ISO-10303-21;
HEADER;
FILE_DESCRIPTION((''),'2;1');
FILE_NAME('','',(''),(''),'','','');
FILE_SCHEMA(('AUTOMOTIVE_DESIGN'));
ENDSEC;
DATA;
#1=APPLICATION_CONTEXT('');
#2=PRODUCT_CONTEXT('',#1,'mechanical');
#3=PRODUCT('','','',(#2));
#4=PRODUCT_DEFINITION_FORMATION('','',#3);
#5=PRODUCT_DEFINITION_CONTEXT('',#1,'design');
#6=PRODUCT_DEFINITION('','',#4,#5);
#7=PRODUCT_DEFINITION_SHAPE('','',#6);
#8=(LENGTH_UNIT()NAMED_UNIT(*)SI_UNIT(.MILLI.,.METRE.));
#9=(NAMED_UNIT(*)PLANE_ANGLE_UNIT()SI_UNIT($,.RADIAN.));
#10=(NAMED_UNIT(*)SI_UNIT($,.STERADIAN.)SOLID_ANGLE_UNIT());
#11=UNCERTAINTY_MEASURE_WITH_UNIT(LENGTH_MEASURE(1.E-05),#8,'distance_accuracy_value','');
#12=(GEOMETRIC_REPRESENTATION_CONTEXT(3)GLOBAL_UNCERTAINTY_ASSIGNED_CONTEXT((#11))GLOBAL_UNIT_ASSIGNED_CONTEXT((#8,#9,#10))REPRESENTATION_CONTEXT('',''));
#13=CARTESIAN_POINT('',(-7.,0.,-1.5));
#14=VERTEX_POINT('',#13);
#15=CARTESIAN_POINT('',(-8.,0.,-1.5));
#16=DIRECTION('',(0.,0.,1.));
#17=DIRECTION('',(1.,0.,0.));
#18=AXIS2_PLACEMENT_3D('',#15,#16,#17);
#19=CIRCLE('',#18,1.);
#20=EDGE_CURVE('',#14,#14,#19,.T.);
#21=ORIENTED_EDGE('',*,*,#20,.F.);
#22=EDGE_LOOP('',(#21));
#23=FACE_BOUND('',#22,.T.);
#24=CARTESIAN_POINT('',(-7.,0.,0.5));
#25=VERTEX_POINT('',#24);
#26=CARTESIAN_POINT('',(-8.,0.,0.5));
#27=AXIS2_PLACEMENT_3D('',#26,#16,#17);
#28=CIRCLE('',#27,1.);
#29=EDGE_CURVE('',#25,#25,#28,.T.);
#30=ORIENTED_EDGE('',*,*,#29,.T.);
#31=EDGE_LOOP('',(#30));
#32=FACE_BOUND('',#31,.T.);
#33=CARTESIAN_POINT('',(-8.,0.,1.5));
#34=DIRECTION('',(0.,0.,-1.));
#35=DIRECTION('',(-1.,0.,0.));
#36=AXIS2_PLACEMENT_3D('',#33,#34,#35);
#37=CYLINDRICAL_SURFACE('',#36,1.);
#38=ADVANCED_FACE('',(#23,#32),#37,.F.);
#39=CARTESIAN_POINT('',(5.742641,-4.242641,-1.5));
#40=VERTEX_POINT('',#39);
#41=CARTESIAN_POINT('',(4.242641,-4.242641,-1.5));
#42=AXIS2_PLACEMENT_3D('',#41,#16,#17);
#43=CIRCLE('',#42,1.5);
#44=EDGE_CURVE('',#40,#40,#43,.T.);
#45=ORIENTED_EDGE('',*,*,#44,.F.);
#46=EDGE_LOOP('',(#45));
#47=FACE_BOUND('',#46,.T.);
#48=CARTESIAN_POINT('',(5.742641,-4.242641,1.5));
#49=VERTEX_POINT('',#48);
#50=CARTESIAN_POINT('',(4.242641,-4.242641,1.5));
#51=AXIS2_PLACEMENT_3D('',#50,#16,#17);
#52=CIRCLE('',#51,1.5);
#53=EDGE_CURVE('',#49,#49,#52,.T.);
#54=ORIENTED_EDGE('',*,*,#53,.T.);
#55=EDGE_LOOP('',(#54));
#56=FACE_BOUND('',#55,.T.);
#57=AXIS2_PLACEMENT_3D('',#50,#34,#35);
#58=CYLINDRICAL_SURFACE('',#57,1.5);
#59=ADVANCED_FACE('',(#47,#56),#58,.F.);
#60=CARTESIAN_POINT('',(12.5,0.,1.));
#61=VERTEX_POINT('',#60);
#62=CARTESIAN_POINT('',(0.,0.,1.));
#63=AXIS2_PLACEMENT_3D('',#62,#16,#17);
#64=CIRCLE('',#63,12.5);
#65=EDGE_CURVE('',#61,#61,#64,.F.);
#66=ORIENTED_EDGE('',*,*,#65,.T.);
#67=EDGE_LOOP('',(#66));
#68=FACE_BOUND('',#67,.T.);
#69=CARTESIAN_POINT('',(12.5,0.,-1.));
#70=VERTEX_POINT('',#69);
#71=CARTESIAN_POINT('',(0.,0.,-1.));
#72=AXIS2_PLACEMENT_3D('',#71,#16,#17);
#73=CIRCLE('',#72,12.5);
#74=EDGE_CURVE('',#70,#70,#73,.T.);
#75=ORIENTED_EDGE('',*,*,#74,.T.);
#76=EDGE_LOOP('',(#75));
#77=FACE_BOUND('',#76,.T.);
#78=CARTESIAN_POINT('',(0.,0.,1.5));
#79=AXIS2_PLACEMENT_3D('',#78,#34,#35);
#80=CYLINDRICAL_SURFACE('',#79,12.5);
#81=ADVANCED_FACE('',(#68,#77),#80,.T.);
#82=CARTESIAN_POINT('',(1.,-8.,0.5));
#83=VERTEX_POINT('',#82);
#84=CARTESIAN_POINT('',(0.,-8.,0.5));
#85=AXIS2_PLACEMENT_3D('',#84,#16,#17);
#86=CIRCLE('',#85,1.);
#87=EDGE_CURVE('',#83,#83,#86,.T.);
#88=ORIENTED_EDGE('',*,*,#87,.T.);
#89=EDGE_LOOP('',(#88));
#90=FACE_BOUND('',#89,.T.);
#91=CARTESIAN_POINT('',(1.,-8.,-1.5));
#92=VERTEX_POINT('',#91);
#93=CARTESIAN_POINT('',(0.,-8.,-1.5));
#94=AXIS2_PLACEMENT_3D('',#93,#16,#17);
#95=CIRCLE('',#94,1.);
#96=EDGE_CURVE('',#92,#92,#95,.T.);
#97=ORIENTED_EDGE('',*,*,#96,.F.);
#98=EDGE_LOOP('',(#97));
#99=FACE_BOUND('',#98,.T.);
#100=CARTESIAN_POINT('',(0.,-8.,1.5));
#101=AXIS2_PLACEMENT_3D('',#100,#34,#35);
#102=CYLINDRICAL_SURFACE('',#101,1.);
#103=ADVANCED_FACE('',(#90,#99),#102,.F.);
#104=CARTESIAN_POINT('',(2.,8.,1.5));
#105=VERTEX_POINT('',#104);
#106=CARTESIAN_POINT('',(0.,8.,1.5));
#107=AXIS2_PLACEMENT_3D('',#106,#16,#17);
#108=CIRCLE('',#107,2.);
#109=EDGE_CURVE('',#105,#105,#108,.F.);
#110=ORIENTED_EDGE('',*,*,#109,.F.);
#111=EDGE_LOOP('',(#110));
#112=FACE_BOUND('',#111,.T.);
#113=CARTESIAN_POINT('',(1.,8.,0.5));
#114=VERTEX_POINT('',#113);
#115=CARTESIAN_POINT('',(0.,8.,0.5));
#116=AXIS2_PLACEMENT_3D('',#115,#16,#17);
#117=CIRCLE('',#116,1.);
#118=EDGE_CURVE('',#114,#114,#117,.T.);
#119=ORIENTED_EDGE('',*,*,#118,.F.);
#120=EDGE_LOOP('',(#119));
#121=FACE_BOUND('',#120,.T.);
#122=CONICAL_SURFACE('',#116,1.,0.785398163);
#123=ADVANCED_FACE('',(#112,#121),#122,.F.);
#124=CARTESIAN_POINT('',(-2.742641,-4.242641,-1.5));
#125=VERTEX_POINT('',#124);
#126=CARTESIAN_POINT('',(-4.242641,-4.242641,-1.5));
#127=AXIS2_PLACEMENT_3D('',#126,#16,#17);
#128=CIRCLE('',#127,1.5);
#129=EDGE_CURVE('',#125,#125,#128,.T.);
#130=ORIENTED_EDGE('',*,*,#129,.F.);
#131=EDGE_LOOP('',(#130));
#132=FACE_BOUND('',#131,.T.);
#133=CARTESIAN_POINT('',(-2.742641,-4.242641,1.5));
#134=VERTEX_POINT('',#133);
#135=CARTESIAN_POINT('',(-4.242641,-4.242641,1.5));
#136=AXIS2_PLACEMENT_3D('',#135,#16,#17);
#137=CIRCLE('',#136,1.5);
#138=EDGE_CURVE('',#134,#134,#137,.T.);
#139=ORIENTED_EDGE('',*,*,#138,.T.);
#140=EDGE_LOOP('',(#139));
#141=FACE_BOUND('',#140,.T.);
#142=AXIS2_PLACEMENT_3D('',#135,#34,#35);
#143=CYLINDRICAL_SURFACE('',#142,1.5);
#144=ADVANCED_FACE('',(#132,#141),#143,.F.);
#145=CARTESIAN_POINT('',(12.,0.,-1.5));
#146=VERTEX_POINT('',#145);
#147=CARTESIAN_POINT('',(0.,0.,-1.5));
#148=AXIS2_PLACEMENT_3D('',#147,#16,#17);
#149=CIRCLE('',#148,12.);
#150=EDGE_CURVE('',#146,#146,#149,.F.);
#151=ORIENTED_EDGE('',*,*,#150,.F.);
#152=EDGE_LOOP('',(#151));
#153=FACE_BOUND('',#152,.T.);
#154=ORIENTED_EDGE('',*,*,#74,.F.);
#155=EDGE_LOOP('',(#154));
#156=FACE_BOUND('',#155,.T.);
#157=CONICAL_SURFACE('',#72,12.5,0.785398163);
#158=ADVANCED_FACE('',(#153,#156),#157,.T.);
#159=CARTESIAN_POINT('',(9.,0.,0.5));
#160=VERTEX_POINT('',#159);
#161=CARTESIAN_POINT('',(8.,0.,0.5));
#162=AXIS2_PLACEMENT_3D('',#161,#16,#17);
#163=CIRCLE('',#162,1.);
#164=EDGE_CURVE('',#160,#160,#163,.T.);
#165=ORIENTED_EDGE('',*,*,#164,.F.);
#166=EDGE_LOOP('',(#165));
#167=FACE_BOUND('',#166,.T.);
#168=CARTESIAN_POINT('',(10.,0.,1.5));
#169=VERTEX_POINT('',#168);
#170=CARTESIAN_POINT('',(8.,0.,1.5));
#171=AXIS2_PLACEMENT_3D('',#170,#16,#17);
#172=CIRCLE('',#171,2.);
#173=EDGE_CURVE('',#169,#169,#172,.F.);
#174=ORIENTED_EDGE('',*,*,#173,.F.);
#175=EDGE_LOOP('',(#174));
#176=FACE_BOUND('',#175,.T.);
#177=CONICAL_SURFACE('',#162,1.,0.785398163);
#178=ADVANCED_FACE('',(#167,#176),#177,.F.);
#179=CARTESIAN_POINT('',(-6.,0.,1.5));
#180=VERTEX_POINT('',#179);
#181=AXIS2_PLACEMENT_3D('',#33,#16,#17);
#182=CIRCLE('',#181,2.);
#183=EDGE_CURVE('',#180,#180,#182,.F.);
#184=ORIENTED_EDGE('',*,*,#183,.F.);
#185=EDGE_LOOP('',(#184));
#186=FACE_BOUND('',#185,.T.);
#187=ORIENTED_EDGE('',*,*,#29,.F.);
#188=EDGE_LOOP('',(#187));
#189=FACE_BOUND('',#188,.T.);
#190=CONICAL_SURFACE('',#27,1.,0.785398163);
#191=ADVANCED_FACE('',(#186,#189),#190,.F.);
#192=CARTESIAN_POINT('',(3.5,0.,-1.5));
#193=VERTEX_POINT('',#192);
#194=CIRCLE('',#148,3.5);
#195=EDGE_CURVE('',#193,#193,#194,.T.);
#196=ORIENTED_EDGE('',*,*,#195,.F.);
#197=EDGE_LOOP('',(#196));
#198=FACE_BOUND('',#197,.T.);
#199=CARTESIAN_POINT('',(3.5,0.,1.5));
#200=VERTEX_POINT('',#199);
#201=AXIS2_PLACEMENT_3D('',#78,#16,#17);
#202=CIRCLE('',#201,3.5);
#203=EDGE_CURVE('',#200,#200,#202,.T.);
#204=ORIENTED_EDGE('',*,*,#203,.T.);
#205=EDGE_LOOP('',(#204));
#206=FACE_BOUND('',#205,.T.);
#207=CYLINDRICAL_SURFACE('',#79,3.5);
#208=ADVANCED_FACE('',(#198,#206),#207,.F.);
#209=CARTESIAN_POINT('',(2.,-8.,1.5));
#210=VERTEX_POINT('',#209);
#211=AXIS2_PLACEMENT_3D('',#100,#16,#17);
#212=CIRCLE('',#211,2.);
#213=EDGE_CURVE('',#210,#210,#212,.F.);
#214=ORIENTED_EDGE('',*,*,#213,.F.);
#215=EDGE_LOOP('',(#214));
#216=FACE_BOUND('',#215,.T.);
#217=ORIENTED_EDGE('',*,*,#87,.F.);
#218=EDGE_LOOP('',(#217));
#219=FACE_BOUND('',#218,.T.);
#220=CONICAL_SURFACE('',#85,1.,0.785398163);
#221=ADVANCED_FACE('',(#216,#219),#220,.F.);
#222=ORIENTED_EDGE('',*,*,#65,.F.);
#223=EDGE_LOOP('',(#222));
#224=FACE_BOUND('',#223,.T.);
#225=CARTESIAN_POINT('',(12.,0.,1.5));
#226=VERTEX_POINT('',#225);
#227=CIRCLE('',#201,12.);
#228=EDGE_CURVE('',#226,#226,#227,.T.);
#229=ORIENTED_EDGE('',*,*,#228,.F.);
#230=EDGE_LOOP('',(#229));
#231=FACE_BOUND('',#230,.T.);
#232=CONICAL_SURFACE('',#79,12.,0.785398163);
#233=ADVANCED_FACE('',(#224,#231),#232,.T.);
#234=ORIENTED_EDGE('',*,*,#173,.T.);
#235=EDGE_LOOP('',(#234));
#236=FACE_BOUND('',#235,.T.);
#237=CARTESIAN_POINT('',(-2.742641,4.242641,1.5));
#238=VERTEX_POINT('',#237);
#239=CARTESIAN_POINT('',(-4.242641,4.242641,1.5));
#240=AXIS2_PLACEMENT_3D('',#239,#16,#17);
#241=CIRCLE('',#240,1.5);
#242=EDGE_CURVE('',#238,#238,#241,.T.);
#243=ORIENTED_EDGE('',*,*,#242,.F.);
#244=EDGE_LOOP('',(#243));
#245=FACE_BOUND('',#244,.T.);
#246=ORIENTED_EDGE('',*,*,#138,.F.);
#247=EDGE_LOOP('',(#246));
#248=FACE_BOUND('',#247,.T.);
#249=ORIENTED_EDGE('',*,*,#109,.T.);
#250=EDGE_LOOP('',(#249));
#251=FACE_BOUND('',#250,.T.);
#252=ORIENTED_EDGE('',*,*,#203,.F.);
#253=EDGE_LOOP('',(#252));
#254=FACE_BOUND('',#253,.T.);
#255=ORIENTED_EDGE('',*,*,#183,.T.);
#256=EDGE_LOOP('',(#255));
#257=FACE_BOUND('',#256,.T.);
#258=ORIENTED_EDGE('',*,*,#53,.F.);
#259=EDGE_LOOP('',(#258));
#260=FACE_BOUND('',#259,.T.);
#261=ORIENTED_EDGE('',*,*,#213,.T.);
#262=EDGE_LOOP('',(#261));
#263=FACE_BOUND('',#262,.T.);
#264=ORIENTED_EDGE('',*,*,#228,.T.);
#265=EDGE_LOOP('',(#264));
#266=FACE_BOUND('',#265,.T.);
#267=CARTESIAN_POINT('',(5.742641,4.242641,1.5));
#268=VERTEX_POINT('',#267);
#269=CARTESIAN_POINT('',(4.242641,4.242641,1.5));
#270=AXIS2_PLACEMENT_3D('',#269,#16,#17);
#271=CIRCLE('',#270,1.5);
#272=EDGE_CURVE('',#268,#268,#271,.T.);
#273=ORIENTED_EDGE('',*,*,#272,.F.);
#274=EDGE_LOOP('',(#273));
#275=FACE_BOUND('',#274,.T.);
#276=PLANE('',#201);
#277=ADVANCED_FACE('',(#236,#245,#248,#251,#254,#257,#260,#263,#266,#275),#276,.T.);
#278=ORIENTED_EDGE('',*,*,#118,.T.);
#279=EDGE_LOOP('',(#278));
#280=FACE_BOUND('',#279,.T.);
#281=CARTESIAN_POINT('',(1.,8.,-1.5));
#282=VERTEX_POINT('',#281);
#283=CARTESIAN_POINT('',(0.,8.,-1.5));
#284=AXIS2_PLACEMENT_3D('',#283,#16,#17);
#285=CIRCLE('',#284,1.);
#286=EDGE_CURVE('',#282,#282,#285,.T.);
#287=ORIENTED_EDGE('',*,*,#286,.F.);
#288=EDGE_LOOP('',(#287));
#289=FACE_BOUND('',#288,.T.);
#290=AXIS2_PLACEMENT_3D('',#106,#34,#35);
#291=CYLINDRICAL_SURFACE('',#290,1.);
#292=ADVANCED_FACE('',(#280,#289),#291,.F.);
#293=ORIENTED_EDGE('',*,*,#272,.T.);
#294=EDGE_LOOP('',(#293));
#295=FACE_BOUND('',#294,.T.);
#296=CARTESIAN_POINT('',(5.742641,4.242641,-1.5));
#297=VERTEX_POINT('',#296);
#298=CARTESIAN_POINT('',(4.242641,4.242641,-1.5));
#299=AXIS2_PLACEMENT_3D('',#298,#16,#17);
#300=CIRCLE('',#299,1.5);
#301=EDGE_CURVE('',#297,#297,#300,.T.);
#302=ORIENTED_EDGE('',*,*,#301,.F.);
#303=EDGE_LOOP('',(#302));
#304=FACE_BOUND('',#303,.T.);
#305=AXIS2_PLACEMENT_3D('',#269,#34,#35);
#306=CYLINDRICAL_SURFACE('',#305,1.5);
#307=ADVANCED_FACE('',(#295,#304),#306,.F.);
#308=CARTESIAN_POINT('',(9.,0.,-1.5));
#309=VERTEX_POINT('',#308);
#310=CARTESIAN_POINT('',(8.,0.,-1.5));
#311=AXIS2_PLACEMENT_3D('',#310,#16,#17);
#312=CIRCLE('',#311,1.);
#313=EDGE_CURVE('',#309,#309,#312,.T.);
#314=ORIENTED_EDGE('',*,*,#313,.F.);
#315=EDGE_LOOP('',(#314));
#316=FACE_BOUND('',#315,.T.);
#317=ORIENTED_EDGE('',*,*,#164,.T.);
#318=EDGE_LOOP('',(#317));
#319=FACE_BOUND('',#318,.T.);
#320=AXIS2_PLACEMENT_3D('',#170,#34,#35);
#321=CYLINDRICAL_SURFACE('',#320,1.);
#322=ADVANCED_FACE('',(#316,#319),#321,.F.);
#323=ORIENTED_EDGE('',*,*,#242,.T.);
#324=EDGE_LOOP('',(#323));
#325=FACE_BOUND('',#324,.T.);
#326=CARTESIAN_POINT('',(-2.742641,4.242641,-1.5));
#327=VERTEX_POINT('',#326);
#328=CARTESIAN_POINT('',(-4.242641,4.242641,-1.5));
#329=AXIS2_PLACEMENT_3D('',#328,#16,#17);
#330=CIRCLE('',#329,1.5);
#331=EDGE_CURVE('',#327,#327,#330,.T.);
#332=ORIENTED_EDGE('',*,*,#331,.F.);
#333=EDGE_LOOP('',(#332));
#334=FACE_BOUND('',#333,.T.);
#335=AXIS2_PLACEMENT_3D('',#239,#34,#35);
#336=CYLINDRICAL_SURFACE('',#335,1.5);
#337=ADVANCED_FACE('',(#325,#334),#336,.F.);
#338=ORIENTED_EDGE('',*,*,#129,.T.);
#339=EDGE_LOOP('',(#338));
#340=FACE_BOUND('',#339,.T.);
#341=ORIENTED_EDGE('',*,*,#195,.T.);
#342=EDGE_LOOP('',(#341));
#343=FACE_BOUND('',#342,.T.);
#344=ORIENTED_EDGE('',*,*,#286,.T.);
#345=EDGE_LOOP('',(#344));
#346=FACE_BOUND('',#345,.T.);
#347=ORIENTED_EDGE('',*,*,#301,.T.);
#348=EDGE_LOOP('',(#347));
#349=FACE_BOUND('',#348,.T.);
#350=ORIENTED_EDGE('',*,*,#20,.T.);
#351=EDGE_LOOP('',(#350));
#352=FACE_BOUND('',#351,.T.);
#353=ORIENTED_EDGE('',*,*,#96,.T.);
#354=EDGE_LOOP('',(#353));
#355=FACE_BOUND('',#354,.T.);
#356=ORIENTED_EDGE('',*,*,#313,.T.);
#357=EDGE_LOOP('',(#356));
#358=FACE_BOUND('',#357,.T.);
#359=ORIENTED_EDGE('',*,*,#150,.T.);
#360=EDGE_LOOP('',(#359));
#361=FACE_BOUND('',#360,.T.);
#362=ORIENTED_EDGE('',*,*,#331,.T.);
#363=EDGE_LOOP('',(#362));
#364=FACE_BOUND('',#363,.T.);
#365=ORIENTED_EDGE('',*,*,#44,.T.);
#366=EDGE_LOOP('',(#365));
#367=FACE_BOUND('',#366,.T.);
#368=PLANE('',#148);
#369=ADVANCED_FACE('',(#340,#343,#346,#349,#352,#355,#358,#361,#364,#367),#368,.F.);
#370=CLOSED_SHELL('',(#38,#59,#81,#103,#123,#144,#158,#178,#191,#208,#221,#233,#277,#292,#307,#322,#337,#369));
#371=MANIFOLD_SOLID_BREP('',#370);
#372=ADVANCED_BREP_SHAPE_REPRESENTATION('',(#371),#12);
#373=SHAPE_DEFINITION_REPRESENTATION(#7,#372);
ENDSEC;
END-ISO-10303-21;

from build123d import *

# Parameters (mm, degrees)
SKETCH_1_R      = 12.5
SKETCH_1_R_2    = 1
SKETCH_1_R_3    = 1.5
SKETCH_1_R_4    = 3.5
EXTRUDE_1_DEPTH = 1.5
CHAMFER_2_SIZE  = 1
CHAMFER_1_SIZE  = 0.5


with BuildPart() as part:
    # 草图1 → 凸台-拉伸1 (new, symmetric)
    with BuildSketch(Plane.XY):
        Circle(SKETCH_1_R)
        with Locations((0, 8)):
            Circle(SKETCH_1_R_2, mode=Mode.SUBTRACT)
        with Locations((8, 0)):
            Circle(SKETCH_1_R_2, mode=Mode.SUBTRACT)
        with Locations((0, -8)):
            Circle(SKETCH_1_R_2, mode=Mode.SUBTRACT)
        with Locations((-8, 0)):
            Circle(SKETCH_1_R_2, mode=Mode.SUBTRACT)
        with Locations((-4.242640687, 4.242640687)):
            Circle(SKETCH_1_R_3, mode=Mode.SUBTRACT)
        Circle(SKETCH_1_R_4, mode=Mode.SUBTRACT)
        with Locations((4.242640687, 4.242640687)):
            Circle(SKETCH_1_R_3, mode=Mode.SUBTRACT)
        with Locations((4.242640687, -4.242640687)):
            Circle(SKETCH_1_R_3, mode=Mode.SUBTRACT)
        with Locations((-4.242640687, -4.242640687)):
            Circle(SKETCH_1_R_3, mode=Mode.SUBTRACT)
    extrude(amount=EXTRUDE_1_DEPTH, both=True)

    # 倒角2
    chamfer_2_edges = [part.edges().sort_by_distance(p)[0] for p in [
        (-1, -8, 1.5),
        (-9, 0, 1.5),
        (-1, 8, 1.5),
        (7, 0, 1.5),
    ]]
    chamfer(chamfer_2_edges, length=CHAMFER_2_SIZE)

    # 倒角1
    chamfer_1_edges = [part.edges().sort_by_distance(p)[0] for p in [
        (-12.5, 0, -1.5),
        (-12.5, 0, 1.5),
    ]]
    chamfer(chamfer_1_edges, length=CHAMFER_1_SIZE)


solid = part.part
